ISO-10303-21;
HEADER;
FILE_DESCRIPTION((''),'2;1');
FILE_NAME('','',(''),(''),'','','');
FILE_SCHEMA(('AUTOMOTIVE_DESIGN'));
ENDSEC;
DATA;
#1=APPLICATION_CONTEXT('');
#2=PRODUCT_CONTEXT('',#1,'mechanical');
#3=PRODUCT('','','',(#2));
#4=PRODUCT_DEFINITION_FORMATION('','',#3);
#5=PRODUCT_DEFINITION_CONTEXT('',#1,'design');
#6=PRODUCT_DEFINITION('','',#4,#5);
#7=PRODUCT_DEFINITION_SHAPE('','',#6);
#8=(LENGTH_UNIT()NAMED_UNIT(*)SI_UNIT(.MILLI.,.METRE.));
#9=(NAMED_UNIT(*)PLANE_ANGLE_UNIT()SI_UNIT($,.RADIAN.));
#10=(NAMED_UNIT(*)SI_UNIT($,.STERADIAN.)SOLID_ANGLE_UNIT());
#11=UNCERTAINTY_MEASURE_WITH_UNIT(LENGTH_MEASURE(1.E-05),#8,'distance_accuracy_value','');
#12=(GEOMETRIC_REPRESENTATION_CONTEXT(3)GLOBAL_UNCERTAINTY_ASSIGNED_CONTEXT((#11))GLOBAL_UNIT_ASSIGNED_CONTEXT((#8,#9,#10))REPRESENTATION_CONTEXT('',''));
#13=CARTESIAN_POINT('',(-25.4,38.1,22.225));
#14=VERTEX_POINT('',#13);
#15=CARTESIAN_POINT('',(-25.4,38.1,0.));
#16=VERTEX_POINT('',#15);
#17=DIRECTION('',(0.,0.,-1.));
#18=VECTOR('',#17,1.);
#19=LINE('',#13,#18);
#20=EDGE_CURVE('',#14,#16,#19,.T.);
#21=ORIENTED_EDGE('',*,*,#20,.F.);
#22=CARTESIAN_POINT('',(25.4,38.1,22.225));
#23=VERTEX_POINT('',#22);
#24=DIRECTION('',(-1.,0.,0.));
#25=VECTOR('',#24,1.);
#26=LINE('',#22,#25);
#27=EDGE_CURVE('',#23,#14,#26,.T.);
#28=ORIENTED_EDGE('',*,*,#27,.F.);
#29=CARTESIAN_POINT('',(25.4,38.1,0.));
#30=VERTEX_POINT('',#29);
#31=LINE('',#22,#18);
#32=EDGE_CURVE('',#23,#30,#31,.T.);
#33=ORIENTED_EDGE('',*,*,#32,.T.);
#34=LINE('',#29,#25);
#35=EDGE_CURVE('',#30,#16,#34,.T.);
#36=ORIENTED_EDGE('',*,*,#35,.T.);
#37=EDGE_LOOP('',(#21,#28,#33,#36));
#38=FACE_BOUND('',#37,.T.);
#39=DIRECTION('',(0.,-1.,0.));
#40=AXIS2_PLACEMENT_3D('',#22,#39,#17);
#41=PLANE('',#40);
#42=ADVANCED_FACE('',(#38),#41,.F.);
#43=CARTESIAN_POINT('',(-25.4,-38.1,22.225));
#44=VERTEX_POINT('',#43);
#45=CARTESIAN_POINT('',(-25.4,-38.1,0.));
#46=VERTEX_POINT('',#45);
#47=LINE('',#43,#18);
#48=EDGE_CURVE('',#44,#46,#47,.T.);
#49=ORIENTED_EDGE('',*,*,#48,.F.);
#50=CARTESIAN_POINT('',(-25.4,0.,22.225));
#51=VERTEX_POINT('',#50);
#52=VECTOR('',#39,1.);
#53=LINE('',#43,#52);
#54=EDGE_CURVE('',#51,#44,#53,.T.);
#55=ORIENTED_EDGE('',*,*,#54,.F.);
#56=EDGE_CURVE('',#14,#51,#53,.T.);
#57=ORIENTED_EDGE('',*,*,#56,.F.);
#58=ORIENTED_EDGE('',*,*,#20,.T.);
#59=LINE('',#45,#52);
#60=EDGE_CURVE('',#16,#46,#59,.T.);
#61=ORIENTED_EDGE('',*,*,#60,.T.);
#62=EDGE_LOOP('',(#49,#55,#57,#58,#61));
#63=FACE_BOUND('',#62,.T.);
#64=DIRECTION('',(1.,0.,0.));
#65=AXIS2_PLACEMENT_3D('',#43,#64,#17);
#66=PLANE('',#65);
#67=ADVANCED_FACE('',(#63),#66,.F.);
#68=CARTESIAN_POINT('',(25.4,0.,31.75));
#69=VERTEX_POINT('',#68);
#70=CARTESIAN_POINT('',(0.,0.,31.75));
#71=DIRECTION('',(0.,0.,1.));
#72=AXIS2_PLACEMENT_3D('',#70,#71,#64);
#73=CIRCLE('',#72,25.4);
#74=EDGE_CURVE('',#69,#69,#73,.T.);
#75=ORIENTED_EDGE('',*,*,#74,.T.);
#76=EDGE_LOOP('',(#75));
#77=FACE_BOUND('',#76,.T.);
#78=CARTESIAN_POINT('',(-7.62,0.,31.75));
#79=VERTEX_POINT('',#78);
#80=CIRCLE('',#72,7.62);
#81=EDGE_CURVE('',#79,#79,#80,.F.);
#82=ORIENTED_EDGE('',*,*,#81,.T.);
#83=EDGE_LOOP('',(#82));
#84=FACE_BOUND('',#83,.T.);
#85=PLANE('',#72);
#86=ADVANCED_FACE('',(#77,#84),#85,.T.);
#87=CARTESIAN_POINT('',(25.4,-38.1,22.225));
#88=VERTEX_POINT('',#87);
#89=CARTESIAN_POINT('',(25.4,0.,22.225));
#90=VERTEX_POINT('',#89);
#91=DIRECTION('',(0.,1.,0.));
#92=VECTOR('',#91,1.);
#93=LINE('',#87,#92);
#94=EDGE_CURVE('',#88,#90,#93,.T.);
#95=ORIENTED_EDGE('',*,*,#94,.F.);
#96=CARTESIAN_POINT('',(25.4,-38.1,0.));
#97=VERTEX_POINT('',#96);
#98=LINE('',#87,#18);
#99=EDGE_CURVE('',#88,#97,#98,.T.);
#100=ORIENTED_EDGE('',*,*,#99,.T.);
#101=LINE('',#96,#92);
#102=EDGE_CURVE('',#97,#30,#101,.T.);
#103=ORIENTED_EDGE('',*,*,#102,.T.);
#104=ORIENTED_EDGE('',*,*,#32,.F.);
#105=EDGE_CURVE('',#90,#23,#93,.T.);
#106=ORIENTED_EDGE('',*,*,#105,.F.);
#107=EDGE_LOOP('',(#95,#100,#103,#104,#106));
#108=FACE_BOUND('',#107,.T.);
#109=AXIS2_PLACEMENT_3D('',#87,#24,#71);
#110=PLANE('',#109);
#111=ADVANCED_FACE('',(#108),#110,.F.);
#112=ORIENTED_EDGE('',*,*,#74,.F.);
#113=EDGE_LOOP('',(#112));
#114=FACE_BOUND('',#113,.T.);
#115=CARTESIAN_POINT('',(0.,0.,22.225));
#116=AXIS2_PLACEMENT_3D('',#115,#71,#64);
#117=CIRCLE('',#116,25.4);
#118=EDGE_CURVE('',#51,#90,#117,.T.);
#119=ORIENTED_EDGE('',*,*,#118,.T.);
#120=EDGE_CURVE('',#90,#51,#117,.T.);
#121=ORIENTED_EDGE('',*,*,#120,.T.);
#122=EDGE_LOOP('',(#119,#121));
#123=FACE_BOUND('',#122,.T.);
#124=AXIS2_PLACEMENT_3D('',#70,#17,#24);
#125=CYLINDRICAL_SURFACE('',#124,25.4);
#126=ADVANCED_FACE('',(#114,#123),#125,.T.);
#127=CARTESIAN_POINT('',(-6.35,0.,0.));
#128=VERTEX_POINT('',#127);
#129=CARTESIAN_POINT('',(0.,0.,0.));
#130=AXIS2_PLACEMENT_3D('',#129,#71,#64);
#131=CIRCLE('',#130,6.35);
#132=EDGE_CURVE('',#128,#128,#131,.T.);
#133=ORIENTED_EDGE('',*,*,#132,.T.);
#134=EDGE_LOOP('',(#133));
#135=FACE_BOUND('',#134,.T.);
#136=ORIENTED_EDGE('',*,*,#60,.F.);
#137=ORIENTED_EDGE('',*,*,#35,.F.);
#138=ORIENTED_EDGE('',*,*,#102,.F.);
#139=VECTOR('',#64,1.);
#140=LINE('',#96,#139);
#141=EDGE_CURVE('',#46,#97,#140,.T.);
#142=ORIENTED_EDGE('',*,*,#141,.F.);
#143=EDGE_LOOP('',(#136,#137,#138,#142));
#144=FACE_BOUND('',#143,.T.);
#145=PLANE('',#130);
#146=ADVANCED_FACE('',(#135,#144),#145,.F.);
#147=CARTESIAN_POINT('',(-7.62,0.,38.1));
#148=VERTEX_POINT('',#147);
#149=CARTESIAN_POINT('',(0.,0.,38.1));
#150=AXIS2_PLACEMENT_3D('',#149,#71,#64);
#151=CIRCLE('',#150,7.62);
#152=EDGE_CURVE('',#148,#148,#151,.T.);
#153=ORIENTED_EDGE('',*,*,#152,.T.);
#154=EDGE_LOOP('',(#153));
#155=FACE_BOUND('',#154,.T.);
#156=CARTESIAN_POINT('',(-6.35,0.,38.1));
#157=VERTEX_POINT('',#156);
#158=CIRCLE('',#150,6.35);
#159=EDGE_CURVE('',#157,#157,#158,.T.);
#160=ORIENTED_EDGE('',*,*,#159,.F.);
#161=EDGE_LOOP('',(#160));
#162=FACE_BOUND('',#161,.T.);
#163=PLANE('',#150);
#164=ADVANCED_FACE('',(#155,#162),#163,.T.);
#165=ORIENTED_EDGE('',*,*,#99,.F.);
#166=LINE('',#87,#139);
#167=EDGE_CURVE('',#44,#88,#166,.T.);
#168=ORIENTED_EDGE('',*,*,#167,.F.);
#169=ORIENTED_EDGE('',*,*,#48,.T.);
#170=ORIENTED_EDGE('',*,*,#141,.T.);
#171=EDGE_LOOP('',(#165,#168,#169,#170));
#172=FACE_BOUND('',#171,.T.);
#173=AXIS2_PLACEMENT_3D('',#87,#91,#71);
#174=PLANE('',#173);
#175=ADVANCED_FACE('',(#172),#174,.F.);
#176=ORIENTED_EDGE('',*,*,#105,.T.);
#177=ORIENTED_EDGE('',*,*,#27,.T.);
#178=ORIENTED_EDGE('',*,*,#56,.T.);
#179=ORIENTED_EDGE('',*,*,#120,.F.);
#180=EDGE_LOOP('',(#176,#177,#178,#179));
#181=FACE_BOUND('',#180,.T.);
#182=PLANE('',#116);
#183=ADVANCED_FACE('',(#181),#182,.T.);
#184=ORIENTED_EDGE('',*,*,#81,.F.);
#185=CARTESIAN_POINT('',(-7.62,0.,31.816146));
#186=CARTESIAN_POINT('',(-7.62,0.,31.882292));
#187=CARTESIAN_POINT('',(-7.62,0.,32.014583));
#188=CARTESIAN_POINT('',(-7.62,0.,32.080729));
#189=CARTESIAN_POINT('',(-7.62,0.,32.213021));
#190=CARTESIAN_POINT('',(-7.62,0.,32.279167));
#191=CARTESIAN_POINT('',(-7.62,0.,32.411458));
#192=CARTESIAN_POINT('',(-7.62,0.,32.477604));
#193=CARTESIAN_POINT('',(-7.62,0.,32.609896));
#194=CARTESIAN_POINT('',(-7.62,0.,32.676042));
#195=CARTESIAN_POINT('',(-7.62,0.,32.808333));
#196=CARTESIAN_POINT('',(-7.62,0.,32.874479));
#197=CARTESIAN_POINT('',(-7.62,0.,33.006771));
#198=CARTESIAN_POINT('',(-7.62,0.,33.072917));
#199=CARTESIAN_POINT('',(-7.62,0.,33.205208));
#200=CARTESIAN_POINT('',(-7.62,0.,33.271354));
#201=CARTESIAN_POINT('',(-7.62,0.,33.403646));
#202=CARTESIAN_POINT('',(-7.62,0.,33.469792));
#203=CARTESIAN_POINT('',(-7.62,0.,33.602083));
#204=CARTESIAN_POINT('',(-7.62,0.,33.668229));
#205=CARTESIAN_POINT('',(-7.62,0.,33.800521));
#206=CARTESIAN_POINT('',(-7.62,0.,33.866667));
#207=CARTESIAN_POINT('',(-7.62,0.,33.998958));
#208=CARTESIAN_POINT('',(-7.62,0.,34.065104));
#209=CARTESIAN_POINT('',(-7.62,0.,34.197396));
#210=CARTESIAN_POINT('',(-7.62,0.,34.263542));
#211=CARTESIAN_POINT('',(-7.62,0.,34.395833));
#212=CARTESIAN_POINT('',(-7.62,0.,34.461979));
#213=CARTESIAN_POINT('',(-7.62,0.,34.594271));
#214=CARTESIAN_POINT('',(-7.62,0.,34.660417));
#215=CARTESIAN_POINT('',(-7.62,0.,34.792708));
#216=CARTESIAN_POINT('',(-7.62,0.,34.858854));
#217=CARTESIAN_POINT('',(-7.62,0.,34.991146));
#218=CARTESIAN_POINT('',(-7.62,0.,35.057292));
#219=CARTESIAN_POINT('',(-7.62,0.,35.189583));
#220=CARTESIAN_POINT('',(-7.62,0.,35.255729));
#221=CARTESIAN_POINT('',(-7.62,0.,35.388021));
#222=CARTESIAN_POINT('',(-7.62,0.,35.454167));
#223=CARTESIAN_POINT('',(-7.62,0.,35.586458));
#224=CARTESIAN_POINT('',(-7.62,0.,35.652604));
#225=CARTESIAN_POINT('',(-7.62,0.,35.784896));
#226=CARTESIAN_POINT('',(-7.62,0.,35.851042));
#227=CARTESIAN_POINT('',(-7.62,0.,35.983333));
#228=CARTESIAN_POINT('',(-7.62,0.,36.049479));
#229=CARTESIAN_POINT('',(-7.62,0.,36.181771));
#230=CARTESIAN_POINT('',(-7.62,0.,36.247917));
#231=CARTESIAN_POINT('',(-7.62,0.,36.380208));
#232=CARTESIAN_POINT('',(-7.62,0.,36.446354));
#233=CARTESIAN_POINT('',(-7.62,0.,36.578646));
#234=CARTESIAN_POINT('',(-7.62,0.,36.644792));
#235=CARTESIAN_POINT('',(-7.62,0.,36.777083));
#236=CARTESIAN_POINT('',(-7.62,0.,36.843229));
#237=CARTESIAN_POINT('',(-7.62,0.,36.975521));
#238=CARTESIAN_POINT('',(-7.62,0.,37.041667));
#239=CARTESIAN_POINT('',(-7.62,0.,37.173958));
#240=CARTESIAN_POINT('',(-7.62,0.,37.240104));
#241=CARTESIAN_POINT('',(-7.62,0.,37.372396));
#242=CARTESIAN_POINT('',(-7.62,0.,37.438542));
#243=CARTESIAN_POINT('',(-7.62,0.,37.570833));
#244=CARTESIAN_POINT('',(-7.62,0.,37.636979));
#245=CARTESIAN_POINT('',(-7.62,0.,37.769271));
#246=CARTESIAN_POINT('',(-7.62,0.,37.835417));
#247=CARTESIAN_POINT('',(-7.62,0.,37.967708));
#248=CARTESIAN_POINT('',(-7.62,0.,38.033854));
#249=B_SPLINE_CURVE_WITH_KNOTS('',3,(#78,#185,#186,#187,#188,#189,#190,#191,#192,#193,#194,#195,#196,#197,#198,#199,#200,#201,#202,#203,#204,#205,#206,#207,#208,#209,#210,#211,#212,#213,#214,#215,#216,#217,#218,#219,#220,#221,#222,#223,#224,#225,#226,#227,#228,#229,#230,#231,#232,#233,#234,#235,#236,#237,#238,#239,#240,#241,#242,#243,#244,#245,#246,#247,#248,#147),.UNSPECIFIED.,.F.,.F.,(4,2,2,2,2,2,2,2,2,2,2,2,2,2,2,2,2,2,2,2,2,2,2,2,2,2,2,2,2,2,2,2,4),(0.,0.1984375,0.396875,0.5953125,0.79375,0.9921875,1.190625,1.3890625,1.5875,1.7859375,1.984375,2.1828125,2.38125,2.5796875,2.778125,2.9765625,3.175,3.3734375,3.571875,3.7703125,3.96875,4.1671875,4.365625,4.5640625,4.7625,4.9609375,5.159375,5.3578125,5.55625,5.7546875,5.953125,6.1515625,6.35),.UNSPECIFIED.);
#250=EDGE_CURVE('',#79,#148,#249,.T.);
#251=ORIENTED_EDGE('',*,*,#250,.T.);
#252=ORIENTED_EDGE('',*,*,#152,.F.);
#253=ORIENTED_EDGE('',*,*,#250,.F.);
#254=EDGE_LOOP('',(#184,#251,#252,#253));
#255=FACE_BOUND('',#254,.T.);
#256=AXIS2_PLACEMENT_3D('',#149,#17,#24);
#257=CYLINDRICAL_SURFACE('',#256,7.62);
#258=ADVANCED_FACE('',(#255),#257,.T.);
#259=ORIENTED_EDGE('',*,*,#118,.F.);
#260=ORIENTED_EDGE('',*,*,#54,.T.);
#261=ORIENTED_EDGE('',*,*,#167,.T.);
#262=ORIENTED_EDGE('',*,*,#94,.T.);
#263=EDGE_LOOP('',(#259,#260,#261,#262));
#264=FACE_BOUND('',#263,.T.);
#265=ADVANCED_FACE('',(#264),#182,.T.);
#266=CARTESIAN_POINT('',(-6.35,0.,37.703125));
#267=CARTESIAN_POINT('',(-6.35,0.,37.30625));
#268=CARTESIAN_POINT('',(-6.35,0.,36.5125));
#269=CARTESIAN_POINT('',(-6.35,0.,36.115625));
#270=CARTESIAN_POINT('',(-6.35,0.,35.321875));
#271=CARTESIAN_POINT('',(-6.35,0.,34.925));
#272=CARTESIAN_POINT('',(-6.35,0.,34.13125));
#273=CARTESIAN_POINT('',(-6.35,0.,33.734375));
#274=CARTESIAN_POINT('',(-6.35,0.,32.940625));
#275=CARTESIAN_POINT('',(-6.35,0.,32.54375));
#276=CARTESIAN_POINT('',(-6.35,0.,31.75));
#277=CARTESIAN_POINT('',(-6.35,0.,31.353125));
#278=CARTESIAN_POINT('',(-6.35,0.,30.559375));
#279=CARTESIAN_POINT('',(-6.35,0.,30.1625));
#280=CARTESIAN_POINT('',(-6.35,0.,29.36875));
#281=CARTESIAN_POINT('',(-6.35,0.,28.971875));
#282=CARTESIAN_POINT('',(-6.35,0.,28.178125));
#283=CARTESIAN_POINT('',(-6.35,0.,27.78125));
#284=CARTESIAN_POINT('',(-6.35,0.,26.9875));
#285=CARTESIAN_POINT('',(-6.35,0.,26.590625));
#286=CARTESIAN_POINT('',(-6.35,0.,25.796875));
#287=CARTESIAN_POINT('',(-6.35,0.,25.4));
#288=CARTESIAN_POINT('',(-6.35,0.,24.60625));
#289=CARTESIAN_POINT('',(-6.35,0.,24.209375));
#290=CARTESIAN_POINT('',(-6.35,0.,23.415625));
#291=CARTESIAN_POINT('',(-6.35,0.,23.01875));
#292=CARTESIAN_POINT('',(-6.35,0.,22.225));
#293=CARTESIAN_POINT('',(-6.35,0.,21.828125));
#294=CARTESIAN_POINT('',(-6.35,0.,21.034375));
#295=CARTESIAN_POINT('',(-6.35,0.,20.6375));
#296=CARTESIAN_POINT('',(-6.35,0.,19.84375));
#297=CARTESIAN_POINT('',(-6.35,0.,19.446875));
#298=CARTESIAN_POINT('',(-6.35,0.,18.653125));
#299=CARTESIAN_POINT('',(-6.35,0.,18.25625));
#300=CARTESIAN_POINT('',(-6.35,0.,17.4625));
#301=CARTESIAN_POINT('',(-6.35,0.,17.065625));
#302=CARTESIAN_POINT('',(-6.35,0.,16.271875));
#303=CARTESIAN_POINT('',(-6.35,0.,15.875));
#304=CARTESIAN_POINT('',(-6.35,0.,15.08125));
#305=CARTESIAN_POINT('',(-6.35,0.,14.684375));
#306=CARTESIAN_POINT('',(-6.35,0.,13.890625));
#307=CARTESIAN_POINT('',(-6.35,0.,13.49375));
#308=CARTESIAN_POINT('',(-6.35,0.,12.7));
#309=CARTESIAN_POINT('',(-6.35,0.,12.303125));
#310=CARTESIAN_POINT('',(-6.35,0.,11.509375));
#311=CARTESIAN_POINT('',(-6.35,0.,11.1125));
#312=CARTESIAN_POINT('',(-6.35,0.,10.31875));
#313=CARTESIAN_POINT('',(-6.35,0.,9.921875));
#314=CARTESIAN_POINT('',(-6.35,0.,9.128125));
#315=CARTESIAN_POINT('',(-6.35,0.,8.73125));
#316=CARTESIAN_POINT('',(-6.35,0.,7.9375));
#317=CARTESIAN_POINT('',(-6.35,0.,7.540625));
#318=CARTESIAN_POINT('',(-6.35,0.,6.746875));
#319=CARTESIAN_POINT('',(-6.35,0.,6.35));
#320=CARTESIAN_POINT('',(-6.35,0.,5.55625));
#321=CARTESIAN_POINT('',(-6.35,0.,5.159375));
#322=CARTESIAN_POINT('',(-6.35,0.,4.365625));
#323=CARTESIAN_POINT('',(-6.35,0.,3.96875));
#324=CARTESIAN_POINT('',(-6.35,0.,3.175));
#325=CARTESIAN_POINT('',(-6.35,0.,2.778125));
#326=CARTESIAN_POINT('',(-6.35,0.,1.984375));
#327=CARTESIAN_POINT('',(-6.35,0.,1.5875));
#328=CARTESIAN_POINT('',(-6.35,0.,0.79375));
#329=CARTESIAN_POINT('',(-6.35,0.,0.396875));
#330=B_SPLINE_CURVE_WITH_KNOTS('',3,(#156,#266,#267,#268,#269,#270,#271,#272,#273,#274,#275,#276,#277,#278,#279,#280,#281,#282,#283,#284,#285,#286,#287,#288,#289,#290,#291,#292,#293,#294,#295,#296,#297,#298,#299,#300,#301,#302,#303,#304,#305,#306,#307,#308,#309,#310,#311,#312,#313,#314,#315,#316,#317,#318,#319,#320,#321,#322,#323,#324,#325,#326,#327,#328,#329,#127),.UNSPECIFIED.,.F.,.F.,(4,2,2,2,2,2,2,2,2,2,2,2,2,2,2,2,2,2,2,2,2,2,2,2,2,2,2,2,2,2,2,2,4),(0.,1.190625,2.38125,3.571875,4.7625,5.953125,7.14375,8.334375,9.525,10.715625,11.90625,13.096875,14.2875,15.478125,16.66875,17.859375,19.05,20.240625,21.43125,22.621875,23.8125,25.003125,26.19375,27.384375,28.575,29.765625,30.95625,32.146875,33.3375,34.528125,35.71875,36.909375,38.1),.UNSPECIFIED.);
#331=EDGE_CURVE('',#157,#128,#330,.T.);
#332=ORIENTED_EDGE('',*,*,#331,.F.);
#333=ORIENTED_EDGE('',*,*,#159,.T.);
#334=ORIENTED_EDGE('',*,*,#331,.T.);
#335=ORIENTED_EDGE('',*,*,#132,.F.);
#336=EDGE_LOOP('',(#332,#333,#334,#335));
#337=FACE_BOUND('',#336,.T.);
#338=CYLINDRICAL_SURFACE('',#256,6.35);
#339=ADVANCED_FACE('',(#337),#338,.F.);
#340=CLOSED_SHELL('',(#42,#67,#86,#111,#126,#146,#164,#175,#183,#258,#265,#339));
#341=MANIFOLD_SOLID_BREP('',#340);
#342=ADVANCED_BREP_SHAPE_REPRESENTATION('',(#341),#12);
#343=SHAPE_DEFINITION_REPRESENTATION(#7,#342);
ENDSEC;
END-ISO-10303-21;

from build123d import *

# Parameters (mm, degrees)
SKETCH1_R           = 25.4
BOSS_EXTRUDE1_DEPTH = 31.75
SKETCH2_R           = 7.62
BOSS_EXTRUDE2_DEPTH = 38.1
SKETCH3_W           = 50.8
SKETCH3_H           = 76.2
BOSS_EXTRUDE3_DEPTH = 22.225
SKETCH4_R           = 6.35
CUT_EXTRUDE1_DEPTH  = 60.56828015


with BuildPart() as part:
    # Sketch1 → Boss-Extrude1 (new body)
    with BuildSketch(Plane.XY):
        Circle(SKETCH1_R)
    extrude(amount=BOSS_EXTRUDE1_DEPTH)

    # Sketch2 → Boss-Extrude2 (add)
    with BuildSketch(Plane.XY):
        with Locations(Location((0, 0, 0), (0, 0, 180))):
            Circle(SKETCH2_R)
    extrude(amount=BOSS_EXTRUDE2_DEPTH)

    # Sketch3 → Boss-Extrude3 (add)
    with BuildSketch(Plane.XY):
        Rectangle(SKETCH3_W, SKETCH3_H)
    extrude(amount=BOSS_EXTRUDE3_DEPTH)

    # Sketch4 → Cut-Extrude1 (cut, through all)
    with BuildSketch(Plane.XY):
        with Locations(Location((0, 0, 0), (0, 0, 180))):
            Circle(SKETCH4_R)
    extrude(amount=CUT_EXTRUDE1_DEPTH, mode=Mode.SUBTRACT)


solid = part.part
